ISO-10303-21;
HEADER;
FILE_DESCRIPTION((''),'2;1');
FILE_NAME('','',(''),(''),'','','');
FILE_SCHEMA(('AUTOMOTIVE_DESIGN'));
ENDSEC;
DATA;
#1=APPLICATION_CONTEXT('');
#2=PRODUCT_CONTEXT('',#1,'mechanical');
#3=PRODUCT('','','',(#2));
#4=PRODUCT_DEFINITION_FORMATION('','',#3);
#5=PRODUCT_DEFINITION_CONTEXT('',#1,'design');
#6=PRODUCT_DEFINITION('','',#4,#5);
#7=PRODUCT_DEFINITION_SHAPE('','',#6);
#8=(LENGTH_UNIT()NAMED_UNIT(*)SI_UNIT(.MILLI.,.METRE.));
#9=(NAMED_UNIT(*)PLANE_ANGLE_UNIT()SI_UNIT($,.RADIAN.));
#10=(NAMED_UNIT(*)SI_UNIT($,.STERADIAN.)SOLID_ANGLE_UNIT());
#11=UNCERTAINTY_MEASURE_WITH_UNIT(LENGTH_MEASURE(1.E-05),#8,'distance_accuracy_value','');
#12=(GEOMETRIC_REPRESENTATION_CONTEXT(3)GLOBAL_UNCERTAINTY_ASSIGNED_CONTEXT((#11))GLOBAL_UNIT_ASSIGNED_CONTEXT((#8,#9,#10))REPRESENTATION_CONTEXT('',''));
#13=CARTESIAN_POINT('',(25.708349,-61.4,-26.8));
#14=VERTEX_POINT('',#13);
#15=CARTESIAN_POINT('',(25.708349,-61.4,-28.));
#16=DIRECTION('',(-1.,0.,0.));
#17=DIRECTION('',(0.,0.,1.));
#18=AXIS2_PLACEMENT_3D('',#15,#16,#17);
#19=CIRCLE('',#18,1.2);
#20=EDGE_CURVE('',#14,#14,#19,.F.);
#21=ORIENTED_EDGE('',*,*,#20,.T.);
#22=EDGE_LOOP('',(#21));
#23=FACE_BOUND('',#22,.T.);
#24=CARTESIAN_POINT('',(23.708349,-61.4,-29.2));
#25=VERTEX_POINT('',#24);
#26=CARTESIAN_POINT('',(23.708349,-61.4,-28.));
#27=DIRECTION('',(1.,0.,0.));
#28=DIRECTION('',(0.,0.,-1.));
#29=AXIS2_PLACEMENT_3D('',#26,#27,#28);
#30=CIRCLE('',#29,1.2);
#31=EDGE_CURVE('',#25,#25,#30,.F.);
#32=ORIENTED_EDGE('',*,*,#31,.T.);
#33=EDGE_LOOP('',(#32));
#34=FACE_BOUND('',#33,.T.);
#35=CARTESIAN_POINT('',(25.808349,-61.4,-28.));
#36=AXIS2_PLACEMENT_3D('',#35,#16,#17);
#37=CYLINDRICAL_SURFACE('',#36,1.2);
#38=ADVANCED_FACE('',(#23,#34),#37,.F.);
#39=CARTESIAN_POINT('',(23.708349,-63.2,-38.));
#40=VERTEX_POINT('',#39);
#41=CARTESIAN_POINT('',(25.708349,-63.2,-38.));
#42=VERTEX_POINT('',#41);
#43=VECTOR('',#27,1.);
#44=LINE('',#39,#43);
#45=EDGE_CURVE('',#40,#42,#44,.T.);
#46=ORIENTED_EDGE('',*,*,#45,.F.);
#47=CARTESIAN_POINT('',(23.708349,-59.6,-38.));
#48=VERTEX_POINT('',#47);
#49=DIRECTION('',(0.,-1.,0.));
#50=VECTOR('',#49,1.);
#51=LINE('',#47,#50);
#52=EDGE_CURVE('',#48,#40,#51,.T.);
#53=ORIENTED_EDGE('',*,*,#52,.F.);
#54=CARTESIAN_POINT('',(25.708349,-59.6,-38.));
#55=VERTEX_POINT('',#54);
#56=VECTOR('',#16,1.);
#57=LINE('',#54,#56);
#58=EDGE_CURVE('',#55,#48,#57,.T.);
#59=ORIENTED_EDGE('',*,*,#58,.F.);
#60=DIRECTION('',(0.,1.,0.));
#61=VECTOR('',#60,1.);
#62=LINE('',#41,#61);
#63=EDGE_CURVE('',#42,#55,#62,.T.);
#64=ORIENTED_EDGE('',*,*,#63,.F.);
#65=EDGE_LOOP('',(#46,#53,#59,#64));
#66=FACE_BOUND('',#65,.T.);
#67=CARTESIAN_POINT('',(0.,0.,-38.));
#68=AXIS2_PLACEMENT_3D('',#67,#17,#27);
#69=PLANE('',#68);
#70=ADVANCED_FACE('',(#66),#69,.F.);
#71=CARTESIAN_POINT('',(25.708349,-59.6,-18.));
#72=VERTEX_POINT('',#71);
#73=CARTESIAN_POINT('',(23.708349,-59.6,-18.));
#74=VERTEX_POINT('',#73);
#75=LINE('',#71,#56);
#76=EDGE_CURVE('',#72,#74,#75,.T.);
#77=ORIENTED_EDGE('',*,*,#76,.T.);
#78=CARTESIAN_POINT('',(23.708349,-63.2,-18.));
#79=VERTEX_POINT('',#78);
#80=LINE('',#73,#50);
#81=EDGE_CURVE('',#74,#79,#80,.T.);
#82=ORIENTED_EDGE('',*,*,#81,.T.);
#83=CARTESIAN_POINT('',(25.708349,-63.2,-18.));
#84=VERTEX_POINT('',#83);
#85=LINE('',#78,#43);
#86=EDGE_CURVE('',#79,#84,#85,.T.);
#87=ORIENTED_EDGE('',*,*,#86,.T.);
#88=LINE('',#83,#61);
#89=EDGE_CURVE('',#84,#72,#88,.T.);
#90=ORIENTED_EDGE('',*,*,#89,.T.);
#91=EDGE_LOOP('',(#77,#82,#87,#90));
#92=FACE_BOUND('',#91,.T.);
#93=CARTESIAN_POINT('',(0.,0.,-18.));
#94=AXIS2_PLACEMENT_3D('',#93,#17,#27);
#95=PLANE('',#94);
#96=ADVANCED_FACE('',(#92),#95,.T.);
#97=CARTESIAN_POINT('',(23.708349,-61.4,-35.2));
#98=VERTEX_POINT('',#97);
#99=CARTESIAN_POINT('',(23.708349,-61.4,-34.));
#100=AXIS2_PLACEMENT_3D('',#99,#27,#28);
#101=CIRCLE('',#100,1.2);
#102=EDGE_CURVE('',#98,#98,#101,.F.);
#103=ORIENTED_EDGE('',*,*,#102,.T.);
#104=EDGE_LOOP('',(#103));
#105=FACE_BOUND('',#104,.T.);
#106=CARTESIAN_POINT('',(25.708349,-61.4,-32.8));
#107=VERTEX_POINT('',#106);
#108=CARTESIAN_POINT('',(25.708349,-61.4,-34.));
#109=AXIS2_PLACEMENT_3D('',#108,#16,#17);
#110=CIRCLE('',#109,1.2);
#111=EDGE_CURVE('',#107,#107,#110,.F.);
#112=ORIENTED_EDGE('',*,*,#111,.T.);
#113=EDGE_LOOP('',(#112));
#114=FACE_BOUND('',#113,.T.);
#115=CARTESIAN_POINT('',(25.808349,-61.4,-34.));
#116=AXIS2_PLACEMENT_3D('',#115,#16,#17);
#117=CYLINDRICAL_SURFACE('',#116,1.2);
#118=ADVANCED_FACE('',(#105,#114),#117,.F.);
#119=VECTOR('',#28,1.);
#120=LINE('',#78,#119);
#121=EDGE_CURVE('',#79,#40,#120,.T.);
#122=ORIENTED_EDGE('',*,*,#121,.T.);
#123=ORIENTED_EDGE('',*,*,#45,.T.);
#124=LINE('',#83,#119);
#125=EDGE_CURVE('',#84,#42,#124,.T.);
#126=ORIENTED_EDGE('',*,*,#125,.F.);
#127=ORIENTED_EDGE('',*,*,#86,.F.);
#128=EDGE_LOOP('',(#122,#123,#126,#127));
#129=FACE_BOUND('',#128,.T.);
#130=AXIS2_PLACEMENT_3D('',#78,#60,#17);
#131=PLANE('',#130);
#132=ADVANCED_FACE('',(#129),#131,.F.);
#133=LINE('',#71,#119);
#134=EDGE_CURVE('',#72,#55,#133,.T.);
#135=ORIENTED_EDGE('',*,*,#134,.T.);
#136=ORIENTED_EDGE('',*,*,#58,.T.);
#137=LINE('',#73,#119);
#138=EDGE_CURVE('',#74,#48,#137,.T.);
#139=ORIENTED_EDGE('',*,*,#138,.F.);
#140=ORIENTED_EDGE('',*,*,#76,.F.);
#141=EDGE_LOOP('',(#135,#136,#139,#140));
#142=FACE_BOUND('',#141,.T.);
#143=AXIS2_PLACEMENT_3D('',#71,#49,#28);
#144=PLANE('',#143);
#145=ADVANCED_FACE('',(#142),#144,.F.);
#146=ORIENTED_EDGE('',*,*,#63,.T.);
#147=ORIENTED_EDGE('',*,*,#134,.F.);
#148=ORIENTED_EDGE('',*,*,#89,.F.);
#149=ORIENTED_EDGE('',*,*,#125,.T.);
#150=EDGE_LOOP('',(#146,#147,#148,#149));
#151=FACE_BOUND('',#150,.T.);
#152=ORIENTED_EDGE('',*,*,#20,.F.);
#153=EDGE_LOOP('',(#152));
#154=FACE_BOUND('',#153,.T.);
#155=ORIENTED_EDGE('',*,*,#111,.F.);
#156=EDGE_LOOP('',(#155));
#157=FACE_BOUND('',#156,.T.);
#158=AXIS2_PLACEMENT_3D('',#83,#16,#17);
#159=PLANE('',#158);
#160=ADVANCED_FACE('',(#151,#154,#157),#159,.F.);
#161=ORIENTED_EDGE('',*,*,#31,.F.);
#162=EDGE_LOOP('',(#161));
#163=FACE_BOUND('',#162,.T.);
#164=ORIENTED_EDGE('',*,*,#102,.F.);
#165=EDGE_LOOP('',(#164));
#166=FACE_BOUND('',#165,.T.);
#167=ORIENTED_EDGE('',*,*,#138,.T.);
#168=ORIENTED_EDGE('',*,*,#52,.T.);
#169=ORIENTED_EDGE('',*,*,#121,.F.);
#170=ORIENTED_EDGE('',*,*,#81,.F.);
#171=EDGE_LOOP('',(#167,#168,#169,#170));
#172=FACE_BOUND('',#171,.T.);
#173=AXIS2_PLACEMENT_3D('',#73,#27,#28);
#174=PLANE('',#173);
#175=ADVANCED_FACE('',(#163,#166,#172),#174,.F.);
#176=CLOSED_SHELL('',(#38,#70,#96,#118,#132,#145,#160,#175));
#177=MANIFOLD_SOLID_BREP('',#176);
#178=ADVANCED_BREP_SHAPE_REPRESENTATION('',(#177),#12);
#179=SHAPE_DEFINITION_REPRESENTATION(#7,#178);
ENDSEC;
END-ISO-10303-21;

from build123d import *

# Parameters (mm, degrees)
STOP_PLATE_BLANK_SKETCH_W    = 2
STOP_PLATE_BLANK_SKETCH_H    = 3.6
STOP_PLATE_BLANK_DEPTH       = 20
M2_STOP_CLEARANCE_1_SKETCH_R = 1.2
M2_STOP_CLEARANCE_1_DEPTH    = 2.2
M2_STOP_CLEARANCE_2_SKETCH_R = 1.2
M2_STOP_CLEARANCE_2_DEPTH    = 2.2


with BuildPart() as part:
    # Stop plate blank sketch → Stop plate blank (new body)
    with BuildSketch(Plane.XY.offset(-38)):
        with Locations((24.708348754, -61.4)):
            Rectangle(STOP_PLATE_BLANK_SKETCH_W, STOP_PLATE_BLANK_SKETCH_H)
    extrude(amount=STOP_PLATE_BLANK_DEPTH)

    # M2 stop clearance 1 sketch → M2 stop clearance 1 (cut)
    with BuildSketch(Plane(origin=(23.608348754, 0, 0), x_dir=(0, 0, -1), z_dir=(1, 0, 0))):
        with Locations(Location((34, -61.4, 0), (0, 0, 180))):
            Circle(M2_STOP_CLEARANCE_1_SKETCH_R)
    extrude(amount=M2_STOP_CLEARANCE_1_DEPTH, mode=Mode.SUBTRACT)

    # M2 stop clearance 2 sketch → M2 stop clearance 2 (cut)
    with BuildSketch(Plane(origin=(23.608348754, 0, 0), x_dir=(0, 0, -1), z_dir=(1, 0, 0))):
        with Locations(Location((28, -61.4, 0), (0, 0, 180))):
            Circle(M2_STOP_CLEARANCE_2_SKETCH_R)
    extrude(amount=M2_STOP_CLEARANCE_2_DEPTH, mode=Mode.SUBTRACT)


solid = part.part
